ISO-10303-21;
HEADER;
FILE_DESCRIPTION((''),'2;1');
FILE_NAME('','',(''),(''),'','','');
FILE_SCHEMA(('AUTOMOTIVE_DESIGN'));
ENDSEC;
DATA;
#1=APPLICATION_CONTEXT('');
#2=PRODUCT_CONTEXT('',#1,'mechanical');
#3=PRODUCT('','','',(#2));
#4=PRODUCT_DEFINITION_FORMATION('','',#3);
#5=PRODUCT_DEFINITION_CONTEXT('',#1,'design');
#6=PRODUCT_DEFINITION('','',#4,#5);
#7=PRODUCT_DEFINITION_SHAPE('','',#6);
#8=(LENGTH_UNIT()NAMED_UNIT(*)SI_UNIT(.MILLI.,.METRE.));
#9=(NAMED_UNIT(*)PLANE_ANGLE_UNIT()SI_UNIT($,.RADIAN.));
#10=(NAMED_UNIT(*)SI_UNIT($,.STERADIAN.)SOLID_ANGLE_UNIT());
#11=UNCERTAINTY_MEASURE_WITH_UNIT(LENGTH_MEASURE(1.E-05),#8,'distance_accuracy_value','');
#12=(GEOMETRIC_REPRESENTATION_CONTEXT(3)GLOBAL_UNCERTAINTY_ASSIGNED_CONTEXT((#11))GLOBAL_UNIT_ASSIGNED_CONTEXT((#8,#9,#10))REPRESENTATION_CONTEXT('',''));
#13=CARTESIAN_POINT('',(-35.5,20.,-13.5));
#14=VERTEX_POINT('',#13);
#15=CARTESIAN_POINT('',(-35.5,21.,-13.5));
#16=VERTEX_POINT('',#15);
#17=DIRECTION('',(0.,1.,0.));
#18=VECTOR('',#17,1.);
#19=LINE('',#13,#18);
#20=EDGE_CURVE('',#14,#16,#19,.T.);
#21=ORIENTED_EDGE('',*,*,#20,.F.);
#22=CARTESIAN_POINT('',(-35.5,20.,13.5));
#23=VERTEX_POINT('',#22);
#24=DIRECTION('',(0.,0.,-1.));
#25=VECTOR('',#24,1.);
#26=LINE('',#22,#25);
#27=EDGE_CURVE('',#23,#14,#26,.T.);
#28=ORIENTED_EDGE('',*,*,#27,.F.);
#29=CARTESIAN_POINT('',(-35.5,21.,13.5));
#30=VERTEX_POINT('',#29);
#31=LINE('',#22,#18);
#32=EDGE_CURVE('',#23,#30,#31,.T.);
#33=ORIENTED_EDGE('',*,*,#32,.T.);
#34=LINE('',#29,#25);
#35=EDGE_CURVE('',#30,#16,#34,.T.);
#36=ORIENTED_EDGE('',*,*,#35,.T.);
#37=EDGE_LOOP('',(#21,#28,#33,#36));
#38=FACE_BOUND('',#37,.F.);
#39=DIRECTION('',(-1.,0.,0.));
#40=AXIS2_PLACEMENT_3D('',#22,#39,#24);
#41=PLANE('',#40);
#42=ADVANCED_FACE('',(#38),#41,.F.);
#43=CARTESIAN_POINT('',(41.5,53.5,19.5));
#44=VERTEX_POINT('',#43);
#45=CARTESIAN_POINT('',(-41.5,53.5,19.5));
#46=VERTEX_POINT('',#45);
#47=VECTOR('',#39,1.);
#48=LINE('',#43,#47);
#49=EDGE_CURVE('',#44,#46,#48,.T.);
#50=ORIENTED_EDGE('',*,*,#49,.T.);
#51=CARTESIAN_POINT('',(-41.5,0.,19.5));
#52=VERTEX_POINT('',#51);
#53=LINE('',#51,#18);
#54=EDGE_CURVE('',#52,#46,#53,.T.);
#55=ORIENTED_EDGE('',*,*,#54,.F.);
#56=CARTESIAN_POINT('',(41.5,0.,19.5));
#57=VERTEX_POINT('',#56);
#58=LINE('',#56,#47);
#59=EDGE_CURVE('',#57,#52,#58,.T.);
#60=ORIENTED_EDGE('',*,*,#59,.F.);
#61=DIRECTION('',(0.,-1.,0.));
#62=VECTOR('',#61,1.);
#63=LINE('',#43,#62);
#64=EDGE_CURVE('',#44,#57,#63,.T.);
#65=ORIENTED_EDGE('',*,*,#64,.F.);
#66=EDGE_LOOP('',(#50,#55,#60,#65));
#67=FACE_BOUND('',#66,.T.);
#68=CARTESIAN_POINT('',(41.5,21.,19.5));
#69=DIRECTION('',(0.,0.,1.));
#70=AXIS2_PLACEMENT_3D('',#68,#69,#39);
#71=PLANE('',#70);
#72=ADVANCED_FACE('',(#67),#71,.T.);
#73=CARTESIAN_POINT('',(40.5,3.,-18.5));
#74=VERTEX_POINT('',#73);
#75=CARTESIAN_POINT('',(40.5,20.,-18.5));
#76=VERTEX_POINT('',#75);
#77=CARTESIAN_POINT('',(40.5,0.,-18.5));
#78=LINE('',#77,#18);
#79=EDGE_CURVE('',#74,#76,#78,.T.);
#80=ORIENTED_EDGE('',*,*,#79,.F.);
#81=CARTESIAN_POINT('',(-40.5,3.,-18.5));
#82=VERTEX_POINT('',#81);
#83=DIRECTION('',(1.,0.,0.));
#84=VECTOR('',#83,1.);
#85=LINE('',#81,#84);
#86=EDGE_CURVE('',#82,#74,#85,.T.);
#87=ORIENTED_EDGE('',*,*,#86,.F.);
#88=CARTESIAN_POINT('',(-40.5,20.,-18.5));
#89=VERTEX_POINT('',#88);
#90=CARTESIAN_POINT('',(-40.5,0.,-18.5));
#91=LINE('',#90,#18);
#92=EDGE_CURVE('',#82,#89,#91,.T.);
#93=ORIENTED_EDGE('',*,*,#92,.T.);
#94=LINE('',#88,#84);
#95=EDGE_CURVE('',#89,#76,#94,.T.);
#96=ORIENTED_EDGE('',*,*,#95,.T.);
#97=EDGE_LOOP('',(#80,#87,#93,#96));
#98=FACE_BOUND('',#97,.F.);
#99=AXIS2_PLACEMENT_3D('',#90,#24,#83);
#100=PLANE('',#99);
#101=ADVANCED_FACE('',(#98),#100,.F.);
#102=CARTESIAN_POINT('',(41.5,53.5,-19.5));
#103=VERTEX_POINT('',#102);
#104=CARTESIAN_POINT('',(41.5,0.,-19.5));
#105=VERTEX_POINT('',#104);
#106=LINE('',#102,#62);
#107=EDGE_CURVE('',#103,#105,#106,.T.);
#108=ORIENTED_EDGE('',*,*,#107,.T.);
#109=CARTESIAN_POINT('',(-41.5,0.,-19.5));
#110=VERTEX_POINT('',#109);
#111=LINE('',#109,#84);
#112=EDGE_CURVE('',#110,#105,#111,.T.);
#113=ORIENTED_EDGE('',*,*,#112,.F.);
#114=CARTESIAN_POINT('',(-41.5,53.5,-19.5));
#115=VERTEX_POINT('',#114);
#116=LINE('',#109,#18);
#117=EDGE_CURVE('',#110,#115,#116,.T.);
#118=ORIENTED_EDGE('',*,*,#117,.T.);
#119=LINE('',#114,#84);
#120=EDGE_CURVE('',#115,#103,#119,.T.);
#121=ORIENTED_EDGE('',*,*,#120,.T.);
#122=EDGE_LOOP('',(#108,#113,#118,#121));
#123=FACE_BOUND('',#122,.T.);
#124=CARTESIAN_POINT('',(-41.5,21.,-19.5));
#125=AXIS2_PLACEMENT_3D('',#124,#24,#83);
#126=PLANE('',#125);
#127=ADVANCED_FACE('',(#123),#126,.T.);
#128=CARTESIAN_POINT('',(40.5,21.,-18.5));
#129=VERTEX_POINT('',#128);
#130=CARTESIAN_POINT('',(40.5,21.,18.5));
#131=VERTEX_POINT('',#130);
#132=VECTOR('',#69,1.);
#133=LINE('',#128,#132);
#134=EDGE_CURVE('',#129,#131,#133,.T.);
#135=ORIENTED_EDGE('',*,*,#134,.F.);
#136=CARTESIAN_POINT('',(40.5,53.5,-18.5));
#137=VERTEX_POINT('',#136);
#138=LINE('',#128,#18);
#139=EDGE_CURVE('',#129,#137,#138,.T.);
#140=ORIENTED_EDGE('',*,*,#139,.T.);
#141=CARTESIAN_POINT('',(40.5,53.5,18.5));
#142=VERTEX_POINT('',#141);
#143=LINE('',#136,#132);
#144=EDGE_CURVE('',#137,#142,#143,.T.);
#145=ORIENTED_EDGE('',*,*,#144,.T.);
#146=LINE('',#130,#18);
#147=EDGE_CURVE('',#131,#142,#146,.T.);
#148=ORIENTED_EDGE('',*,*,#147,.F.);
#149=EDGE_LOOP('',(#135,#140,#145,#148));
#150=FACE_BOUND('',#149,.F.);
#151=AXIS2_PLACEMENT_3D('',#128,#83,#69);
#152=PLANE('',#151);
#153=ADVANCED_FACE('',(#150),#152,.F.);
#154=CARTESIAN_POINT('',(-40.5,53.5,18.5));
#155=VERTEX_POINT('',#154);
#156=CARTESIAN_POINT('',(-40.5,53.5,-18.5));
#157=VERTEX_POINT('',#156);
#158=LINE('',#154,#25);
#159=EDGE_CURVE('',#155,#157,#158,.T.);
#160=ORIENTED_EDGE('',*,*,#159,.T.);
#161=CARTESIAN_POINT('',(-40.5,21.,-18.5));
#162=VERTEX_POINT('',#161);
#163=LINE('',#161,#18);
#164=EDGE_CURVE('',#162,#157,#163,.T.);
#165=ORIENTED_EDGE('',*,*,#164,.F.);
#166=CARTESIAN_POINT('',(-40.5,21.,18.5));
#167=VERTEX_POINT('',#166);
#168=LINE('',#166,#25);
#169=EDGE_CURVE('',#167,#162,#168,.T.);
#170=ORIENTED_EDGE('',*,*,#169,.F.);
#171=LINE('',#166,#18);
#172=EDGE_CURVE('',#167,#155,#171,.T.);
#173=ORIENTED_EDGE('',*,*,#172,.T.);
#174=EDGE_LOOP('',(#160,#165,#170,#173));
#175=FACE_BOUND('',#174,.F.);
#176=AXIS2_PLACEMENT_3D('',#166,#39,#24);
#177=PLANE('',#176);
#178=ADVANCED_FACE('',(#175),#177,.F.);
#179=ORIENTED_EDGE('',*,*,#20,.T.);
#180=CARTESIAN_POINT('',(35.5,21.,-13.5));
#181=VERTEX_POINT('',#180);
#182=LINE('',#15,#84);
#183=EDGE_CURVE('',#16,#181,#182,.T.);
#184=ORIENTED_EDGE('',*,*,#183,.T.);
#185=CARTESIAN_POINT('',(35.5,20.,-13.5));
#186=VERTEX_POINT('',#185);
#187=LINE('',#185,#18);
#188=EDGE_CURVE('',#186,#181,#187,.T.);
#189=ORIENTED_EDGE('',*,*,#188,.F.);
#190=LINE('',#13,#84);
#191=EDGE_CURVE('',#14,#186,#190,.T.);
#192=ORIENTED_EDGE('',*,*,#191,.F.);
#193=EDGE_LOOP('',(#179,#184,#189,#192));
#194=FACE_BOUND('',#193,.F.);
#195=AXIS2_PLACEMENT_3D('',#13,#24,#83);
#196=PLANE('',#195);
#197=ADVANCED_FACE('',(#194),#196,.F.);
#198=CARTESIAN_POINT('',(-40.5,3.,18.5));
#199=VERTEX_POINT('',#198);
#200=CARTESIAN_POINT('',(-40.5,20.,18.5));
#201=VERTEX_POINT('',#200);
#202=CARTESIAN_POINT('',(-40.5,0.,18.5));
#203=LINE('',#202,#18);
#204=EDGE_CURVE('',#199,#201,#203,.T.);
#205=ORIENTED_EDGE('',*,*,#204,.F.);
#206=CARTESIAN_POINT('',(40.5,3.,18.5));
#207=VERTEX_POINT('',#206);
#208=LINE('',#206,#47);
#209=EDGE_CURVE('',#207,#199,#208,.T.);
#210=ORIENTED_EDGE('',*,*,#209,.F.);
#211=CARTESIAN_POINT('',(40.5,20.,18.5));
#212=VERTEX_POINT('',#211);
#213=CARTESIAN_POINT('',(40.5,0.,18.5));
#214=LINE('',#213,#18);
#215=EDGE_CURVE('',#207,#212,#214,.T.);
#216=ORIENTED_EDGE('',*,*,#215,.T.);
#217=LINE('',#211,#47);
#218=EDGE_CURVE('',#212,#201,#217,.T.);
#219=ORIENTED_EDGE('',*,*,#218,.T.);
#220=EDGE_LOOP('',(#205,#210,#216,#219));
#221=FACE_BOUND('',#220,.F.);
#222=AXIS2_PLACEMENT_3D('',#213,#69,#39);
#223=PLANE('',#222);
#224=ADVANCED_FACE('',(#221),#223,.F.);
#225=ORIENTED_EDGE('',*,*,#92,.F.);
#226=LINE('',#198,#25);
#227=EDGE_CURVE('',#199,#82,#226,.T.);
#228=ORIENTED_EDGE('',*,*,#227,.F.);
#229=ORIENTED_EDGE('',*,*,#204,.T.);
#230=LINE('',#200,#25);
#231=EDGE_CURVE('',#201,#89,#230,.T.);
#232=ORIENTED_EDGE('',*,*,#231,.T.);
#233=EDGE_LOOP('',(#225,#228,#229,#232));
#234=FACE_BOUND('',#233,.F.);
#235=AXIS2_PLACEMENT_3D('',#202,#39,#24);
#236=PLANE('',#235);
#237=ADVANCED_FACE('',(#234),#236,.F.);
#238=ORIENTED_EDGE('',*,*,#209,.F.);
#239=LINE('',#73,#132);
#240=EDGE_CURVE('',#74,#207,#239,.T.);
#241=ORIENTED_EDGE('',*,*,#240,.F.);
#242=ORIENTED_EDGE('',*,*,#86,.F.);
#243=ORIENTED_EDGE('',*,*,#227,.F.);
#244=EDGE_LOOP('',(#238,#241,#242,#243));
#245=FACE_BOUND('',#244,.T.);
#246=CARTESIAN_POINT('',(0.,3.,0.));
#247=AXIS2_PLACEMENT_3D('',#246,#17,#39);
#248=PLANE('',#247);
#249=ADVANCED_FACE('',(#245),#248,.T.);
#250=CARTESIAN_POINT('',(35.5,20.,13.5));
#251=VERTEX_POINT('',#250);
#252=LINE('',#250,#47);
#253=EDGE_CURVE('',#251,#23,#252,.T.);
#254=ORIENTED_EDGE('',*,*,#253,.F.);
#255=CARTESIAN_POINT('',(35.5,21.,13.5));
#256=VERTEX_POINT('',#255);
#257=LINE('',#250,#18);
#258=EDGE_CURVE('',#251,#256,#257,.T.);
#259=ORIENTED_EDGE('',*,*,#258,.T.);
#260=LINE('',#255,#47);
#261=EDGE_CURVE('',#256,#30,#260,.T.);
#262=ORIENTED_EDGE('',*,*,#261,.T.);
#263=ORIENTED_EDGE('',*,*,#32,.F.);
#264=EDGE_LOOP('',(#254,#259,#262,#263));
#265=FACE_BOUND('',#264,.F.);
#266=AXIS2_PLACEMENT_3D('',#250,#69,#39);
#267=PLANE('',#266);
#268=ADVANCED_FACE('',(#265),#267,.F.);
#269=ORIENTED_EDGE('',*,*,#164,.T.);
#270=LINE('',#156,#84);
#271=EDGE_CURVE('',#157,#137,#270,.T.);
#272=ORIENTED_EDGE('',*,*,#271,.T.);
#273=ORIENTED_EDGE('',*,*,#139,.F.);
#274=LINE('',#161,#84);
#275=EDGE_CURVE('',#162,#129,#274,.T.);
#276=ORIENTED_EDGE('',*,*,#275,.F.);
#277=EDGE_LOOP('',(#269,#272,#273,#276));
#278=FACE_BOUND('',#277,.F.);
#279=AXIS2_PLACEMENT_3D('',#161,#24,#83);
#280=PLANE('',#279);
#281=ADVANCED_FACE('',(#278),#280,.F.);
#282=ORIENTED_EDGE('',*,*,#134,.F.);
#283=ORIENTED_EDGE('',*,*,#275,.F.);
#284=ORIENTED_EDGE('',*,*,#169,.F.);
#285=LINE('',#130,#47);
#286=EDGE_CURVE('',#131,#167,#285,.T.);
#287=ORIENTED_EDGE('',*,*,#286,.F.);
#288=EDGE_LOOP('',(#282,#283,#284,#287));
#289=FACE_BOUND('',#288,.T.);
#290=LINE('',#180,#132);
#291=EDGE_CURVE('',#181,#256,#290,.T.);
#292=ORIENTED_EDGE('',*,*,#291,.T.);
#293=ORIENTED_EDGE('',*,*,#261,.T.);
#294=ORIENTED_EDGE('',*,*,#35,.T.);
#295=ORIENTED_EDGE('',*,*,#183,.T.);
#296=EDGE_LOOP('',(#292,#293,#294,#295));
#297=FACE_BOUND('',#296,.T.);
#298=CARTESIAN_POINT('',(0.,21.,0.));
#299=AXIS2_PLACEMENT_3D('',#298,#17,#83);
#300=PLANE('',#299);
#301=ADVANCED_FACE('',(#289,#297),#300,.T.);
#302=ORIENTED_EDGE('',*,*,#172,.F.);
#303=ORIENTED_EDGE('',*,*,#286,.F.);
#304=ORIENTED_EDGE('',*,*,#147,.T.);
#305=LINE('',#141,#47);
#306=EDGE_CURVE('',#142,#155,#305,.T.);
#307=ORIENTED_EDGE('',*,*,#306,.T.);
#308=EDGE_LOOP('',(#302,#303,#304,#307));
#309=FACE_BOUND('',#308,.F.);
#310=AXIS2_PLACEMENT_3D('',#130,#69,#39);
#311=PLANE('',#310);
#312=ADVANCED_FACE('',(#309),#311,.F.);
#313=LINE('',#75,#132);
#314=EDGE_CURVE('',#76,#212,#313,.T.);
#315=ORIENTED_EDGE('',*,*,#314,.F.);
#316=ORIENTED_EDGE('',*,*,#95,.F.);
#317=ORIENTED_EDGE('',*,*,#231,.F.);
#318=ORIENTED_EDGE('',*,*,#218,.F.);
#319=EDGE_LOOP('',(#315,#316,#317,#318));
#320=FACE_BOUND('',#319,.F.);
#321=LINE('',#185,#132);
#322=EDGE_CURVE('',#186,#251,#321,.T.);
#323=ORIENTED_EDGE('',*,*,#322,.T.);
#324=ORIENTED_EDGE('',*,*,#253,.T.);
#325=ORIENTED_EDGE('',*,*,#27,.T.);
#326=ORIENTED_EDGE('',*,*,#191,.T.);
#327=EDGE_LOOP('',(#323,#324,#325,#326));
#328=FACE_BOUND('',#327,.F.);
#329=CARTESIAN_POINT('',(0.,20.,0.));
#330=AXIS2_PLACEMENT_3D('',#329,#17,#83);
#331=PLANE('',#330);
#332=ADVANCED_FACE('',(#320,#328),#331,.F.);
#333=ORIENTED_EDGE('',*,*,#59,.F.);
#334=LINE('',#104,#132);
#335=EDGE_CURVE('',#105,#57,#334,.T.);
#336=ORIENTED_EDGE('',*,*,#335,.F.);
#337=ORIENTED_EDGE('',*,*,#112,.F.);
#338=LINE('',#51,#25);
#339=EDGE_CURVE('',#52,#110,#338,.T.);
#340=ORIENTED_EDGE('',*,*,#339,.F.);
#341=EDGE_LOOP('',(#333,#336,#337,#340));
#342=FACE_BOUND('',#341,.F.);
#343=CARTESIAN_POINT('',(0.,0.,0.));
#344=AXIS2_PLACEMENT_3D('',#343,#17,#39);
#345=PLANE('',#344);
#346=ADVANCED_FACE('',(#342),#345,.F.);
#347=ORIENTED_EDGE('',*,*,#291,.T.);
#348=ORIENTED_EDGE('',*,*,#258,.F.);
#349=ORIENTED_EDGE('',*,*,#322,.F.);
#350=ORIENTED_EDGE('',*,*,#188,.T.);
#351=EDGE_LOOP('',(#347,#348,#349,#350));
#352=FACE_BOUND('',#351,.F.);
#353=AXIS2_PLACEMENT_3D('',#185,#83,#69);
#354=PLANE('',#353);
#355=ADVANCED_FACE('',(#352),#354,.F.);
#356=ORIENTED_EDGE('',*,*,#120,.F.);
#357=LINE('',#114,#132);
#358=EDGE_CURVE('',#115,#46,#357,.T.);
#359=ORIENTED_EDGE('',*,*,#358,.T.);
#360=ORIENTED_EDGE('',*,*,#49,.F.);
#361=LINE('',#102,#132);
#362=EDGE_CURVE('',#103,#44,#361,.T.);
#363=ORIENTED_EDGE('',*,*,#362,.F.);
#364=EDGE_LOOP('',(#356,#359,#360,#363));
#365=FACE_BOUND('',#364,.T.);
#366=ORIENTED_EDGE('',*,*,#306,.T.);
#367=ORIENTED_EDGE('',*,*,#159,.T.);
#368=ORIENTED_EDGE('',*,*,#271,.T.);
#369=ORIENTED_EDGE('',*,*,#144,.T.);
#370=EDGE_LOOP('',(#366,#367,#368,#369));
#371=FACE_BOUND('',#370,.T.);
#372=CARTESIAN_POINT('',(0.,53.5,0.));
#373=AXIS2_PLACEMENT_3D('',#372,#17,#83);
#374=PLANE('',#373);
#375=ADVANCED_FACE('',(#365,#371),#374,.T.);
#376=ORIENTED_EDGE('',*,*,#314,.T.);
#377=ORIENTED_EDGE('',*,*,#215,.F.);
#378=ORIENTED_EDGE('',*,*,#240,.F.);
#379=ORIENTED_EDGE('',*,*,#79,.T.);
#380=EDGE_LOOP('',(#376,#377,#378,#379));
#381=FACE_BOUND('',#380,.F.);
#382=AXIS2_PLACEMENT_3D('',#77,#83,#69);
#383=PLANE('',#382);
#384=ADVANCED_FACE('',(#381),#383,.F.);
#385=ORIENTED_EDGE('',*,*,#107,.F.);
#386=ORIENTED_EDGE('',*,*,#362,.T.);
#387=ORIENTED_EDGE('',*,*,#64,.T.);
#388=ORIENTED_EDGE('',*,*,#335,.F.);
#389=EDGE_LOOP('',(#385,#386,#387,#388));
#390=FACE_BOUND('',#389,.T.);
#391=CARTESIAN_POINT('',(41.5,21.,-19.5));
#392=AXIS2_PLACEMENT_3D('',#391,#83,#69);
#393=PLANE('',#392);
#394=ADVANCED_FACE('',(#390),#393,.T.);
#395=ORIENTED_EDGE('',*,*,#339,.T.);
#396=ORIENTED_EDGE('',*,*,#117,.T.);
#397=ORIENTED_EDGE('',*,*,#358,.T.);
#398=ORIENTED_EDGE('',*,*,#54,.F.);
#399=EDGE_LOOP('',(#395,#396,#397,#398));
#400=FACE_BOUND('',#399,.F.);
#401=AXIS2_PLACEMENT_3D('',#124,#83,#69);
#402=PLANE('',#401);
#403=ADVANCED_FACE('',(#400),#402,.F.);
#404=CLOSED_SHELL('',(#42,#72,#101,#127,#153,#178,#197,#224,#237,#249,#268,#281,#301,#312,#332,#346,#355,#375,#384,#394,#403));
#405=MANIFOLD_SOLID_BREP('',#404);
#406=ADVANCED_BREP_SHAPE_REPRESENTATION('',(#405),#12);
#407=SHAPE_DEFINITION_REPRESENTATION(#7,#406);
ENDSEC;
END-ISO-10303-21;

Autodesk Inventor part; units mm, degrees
ref_plane "YZ Plane" through (0, 0, 0) normal (1, 0, 0) x (0, 1, 0)
ref_plane "XZ Plane" through (0, 0, 0) normal (0, 1, 0) x (-1, 0, 0)
ref_plane "XY Plane" through (0, 0, 0) normal (0, 0, 1) x (1, 0, 0)
sketch "Boceto1" plane through (0, 0, 0) normal (0, 1, 0) x (-1, 0, 0)
  line L0 (-41.5, 19.5) -> (41.5, 19.5)
  line L1 (41.5, 19.5) -> (41.5, -19.5)
  line L2 (41.5, -19.5) -> (-41.5, -19.5)
  line L3 (-41.5, -19.5) -> (-41.5, 19.5)
  line L4 (-41.5, 19.5) -> (41.5, -19.5) construction
  line L5 (41.5, 19.5) -> (-41.5, -19.5) construction
  line L6 (-40.5, 18.5) -> (40.5, 18.5)
  line L7 (40.5, 18.5) -> (40.5, -18.5)
  line L8 (40.5, -18.5) -> (-40.5, -18.5)
  line L9 (-40.5, -18.5) -> (-40.5, 18.5)
  line L10 (-40.5, 18.5) -> (40.5, -18.5) construction
  line L11 (40.5, 18.5) -> (-40.5, -18.5) construction
  point P0 (0, 0)
  dimension "d0" = 83
  dimension "d1" = 39
  dimension "d2" = 1
  dimension "d3" = 1
extrude "Extrusión1" add sketch "Boceto1" along normal blind 3 contours L6 L7 L8 L9
extrude "Extrusión2" add sketch "Boceto1" along normal blind 20
sketch "Boceto2" plane through (0, 20, 0) normal (0, 1, 0) x (1, 0, 0)
  line L0 (41.5, 19.5) -> (-41.5, 19.5) projected
  line L1 (41.5, -19.5) -> (-41.5, -19.5)
  line L2 (-41.5, -19.5) -> (-41.5, 19.5)
  line L3 (-41.5, 19.5) -> (41.5, 19.5)
  line L4 (41.5, 19.5) -> (41.5, -19.5)
  line L5 (41.5, -19.5) -> (-41.5, 19.5) construction
  line L6 (-41.5, -19.5) -> (41.5, 19.5) construction
  line L7 (35.5, -13.5) -> (-35.5, -13.5)
  line L8 (-35.5, -13.5) -> (-35.5, 13.5)
  line L9 (-35.5, 13.5) -> (35.5, 13.5)
  line L10 (35.5, 13.5) -> (35.5, -13.5)
  line L11 (35.5, -13.5) -> (-35.5, 13.5) construction
  line L12 (-35.5, -13.5) -> (35.5, 13.5) construction
  point P0 (0, 0)
  dimension "d8" = 6
  dimension "d9" = 6
extrude "Extrusión3" add sketch "Boceto2" along normal blind 1
sketch "Boceto3" plane through (0, 21, 0) normal (0, 1, 0) x (1, 0, 0)
  point P0 (0, 0)
sketch "Boceto4" plane through (0, 21, 0) normal (0, 1, 0) x (1, 0, 0)
  line L0 (-41.5, 19.5) -> (-41.5, -19.5) projected
  line L1 (41.5, -19.5) -> (-41.5, -19.5)
  line L2 (-41.5, -19.5) -> (-41.5, 19.5)
  line L3 (-41.5, 19.5) -> (41.5, 19.5)
  line L4 (41.5, 19.5) -> (41.5, -19.5)
  line L5 (41.5, -19.5) -> (-41.5, 19.5) construction
  line L6 (-41.5, -19.5) -> (41.5, 19.5) construction
  line L7 (40.5, -18.5) -> (-40.5, -18.5)
  line L8 (-40.5, -18.5) -> (-40.5, 18.5)
  line L9 (-40.5, 18.5) -> (40.5, 18.5)
  line L10 (40.5, 18.5) -> (40.5, -18.5)
  line L11 (40.5, -18.5) -> (-40.5, 18.5) construction
  line L12 (-40.5, -18.5) -> (40.5, 18.5) construction
  point P0 (0, 0)
  point P1 (-41.5, -19.5)
  dimension "d21" = 1
  dimension "d22" = 1
extrude "Extrusión4" add sketch "Boceto4" along normal blind 32.5
properties part number "Capsula" material "Plástico PET"
